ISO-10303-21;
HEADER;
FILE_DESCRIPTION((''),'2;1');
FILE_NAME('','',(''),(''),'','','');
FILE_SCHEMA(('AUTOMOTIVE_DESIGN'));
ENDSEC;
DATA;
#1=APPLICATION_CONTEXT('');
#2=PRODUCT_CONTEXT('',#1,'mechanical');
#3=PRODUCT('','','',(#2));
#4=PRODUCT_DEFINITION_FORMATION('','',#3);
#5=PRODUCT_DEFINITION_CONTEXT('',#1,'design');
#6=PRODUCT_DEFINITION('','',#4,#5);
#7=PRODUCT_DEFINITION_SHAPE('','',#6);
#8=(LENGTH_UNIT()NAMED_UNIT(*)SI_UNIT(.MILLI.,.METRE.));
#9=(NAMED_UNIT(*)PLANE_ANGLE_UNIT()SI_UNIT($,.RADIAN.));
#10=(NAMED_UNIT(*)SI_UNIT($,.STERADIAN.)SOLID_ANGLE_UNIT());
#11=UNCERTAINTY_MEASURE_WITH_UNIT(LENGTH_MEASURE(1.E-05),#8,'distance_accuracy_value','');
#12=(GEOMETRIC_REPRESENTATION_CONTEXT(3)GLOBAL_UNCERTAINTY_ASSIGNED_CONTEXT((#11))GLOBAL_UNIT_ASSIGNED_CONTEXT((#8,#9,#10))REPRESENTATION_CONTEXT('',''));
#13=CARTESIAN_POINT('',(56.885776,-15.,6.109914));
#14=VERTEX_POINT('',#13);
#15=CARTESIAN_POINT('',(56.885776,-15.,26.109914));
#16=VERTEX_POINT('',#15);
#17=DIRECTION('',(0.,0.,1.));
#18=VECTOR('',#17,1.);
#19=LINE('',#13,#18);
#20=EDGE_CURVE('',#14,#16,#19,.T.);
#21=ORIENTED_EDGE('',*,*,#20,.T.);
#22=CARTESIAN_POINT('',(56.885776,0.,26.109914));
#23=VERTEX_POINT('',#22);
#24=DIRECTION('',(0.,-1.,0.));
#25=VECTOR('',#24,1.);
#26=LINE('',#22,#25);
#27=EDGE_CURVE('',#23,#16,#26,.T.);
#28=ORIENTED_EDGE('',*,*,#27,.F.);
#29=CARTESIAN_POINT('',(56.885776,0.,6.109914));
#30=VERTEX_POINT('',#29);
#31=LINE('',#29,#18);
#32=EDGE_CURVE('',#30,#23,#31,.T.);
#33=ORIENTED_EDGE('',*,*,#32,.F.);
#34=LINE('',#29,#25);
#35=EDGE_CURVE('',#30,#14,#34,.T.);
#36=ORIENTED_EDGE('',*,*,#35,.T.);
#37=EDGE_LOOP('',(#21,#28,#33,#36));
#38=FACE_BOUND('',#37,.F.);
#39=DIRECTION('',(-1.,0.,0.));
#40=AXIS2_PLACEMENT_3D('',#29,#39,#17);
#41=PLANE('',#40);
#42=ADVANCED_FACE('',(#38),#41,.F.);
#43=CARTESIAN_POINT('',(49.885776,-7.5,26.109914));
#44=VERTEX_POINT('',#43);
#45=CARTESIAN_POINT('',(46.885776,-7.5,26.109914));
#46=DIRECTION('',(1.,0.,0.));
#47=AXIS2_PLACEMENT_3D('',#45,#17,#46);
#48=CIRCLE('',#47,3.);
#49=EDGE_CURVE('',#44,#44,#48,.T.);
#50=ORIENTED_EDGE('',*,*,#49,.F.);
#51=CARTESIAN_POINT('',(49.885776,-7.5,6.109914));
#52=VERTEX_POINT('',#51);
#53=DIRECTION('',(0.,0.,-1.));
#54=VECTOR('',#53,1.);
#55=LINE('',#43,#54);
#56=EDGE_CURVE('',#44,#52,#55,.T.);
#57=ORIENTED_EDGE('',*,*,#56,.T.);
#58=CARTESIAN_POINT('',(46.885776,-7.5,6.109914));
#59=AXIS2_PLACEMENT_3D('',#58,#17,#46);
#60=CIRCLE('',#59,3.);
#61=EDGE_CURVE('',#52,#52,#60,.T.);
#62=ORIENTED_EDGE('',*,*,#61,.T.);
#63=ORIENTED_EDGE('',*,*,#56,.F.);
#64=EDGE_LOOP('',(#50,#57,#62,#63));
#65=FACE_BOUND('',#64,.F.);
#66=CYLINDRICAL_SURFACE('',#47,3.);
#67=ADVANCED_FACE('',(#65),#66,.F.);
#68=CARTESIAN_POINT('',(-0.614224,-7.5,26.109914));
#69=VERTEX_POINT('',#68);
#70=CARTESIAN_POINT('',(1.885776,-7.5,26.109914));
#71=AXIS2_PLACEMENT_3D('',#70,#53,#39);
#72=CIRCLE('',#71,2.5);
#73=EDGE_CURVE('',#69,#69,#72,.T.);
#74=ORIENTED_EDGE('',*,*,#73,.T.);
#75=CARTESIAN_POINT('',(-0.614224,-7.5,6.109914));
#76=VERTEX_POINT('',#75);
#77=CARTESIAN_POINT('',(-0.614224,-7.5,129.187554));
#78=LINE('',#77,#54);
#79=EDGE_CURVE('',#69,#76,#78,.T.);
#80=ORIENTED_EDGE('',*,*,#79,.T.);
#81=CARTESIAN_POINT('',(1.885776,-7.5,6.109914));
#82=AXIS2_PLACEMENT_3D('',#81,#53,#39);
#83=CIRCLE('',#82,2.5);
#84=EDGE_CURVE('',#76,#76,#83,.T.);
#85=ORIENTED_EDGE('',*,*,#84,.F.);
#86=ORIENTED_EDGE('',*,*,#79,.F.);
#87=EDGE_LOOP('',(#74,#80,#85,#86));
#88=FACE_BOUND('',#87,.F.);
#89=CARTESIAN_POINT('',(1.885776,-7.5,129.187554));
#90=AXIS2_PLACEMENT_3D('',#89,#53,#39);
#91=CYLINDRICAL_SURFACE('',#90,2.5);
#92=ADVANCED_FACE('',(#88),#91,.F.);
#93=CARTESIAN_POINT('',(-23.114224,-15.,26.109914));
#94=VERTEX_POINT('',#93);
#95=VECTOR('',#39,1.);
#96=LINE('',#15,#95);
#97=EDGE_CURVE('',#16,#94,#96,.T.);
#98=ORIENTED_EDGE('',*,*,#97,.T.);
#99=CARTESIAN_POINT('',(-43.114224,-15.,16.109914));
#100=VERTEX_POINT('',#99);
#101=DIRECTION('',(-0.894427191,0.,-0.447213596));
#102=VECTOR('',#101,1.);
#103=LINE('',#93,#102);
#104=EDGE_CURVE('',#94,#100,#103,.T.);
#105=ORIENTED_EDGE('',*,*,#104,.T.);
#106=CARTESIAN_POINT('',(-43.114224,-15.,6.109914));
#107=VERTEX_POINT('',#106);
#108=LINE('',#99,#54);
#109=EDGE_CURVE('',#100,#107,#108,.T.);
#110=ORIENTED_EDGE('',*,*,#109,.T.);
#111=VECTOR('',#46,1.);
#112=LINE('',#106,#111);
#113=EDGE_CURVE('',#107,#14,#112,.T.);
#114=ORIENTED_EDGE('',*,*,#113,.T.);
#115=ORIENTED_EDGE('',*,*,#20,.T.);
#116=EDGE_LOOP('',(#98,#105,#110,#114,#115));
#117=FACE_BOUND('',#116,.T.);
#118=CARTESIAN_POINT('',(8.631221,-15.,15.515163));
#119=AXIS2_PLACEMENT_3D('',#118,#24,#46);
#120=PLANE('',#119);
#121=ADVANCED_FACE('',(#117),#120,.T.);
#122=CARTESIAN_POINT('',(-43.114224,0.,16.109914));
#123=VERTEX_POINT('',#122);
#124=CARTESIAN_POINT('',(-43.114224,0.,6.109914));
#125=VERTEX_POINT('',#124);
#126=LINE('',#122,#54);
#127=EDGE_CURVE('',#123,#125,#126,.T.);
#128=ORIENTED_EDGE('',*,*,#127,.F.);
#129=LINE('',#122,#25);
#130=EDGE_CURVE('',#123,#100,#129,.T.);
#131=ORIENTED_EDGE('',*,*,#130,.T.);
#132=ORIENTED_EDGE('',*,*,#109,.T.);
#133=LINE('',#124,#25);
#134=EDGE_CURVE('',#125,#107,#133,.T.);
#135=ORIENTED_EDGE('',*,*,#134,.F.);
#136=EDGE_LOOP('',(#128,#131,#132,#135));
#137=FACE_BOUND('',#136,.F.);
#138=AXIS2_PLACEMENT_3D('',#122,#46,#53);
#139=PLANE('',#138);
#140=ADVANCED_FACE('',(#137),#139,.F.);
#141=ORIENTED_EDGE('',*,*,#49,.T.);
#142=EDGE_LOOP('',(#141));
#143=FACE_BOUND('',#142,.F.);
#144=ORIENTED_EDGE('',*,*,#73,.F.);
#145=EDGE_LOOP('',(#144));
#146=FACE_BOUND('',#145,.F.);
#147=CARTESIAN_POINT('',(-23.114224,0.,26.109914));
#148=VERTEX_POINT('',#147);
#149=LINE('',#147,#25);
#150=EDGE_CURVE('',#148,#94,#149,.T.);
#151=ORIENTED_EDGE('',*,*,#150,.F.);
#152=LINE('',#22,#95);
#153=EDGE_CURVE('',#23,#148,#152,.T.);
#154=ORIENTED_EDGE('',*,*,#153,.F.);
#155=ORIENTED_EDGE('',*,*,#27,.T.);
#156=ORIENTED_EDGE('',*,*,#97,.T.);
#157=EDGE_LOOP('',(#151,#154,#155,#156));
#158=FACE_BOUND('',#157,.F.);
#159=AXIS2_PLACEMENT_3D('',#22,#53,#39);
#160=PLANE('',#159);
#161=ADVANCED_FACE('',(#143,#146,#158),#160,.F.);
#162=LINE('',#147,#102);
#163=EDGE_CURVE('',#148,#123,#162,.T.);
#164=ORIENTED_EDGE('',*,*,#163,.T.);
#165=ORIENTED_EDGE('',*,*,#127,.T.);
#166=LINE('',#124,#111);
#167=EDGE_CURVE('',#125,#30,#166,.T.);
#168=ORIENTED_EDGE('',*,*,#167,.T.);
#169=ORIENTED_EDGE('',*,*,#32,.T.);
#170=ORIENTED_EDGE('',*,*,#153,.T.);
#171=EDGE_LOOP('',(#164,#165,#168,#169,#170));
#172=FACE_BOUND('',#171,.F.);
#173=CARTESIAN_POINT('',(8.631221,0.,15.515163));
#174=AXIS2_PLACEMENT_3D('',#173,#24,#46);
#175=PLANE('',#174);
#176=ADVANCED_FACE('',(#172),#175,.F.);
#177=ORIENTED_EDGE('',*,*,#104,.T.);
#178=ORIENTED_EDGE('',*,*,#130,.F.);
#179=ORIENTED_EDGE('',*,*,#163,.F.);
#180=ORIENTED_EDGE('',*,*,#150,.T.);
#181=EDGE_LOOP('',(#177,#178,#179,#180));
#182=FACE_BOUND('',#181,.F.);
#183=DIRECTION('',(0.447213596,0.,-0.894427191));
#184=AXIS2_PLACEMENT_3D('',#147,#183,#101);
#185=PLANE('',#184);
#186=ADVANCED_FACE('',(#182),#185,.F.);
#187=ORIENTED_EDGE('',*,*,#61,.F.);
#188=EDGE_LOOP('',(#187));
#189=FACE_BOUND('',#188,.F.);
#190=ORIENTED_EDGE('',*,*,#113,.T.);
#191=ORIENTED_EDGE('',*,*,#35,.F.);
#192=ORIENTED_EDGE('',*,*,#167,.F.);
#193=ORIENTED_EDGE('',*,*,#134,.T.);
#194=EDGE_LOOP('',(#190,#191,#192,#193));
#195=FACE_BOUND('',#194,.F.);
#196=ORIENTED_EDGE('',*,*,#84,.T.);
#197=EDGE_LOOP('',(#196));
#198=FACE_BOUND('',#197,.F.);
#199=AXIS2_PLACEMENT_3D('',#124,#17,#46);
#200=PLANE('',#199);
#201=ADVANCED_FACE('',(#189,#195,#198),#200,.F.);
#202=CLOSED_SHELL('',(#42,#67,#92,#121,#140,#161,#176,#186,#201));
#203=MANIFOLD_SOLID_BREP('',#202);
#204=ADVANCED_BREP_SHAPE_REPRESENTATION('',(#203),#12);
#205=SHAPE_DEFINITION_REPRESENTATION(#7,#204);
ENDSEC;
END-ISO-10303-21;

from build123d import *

# Parameters (mm, degrees)
F1_DEPTH = 15
F3_D     = 5
F2_R     = 3
F4_DEPTH = 25


with BuildPart() as f1:
    # F0 (on Front) → F1 (new body)
    with BuildSketch(Plane.XZ):
        Polygon((-43.1142237037, 16.1099138111), (-43.1142237037, 6.1099138111), (56.8857762963, 6.1099138111), (56.8857762963, 26.1099138111), (-23.1142237037, 26.1099138111), align=None)
    extrude(amount=F1_DEPTH)

    # F3 (through all)
    with Locations(Plane.XY.offset(26.1099138111)):
        with Locations((1.8857762963, -7.5)):
            Hole(F3_D / 2)

    # F2 (on face) → F4 (cut)
    with BuildSketch(Plane.XY.offset(26.1099138111)):
        with Locations((46.8857762963, -7.5)):
            Circle(F2_R)
    extrude(amount=-F4_DEPTH, mode=Mode.SUBTRACT)


solid = f1.part
